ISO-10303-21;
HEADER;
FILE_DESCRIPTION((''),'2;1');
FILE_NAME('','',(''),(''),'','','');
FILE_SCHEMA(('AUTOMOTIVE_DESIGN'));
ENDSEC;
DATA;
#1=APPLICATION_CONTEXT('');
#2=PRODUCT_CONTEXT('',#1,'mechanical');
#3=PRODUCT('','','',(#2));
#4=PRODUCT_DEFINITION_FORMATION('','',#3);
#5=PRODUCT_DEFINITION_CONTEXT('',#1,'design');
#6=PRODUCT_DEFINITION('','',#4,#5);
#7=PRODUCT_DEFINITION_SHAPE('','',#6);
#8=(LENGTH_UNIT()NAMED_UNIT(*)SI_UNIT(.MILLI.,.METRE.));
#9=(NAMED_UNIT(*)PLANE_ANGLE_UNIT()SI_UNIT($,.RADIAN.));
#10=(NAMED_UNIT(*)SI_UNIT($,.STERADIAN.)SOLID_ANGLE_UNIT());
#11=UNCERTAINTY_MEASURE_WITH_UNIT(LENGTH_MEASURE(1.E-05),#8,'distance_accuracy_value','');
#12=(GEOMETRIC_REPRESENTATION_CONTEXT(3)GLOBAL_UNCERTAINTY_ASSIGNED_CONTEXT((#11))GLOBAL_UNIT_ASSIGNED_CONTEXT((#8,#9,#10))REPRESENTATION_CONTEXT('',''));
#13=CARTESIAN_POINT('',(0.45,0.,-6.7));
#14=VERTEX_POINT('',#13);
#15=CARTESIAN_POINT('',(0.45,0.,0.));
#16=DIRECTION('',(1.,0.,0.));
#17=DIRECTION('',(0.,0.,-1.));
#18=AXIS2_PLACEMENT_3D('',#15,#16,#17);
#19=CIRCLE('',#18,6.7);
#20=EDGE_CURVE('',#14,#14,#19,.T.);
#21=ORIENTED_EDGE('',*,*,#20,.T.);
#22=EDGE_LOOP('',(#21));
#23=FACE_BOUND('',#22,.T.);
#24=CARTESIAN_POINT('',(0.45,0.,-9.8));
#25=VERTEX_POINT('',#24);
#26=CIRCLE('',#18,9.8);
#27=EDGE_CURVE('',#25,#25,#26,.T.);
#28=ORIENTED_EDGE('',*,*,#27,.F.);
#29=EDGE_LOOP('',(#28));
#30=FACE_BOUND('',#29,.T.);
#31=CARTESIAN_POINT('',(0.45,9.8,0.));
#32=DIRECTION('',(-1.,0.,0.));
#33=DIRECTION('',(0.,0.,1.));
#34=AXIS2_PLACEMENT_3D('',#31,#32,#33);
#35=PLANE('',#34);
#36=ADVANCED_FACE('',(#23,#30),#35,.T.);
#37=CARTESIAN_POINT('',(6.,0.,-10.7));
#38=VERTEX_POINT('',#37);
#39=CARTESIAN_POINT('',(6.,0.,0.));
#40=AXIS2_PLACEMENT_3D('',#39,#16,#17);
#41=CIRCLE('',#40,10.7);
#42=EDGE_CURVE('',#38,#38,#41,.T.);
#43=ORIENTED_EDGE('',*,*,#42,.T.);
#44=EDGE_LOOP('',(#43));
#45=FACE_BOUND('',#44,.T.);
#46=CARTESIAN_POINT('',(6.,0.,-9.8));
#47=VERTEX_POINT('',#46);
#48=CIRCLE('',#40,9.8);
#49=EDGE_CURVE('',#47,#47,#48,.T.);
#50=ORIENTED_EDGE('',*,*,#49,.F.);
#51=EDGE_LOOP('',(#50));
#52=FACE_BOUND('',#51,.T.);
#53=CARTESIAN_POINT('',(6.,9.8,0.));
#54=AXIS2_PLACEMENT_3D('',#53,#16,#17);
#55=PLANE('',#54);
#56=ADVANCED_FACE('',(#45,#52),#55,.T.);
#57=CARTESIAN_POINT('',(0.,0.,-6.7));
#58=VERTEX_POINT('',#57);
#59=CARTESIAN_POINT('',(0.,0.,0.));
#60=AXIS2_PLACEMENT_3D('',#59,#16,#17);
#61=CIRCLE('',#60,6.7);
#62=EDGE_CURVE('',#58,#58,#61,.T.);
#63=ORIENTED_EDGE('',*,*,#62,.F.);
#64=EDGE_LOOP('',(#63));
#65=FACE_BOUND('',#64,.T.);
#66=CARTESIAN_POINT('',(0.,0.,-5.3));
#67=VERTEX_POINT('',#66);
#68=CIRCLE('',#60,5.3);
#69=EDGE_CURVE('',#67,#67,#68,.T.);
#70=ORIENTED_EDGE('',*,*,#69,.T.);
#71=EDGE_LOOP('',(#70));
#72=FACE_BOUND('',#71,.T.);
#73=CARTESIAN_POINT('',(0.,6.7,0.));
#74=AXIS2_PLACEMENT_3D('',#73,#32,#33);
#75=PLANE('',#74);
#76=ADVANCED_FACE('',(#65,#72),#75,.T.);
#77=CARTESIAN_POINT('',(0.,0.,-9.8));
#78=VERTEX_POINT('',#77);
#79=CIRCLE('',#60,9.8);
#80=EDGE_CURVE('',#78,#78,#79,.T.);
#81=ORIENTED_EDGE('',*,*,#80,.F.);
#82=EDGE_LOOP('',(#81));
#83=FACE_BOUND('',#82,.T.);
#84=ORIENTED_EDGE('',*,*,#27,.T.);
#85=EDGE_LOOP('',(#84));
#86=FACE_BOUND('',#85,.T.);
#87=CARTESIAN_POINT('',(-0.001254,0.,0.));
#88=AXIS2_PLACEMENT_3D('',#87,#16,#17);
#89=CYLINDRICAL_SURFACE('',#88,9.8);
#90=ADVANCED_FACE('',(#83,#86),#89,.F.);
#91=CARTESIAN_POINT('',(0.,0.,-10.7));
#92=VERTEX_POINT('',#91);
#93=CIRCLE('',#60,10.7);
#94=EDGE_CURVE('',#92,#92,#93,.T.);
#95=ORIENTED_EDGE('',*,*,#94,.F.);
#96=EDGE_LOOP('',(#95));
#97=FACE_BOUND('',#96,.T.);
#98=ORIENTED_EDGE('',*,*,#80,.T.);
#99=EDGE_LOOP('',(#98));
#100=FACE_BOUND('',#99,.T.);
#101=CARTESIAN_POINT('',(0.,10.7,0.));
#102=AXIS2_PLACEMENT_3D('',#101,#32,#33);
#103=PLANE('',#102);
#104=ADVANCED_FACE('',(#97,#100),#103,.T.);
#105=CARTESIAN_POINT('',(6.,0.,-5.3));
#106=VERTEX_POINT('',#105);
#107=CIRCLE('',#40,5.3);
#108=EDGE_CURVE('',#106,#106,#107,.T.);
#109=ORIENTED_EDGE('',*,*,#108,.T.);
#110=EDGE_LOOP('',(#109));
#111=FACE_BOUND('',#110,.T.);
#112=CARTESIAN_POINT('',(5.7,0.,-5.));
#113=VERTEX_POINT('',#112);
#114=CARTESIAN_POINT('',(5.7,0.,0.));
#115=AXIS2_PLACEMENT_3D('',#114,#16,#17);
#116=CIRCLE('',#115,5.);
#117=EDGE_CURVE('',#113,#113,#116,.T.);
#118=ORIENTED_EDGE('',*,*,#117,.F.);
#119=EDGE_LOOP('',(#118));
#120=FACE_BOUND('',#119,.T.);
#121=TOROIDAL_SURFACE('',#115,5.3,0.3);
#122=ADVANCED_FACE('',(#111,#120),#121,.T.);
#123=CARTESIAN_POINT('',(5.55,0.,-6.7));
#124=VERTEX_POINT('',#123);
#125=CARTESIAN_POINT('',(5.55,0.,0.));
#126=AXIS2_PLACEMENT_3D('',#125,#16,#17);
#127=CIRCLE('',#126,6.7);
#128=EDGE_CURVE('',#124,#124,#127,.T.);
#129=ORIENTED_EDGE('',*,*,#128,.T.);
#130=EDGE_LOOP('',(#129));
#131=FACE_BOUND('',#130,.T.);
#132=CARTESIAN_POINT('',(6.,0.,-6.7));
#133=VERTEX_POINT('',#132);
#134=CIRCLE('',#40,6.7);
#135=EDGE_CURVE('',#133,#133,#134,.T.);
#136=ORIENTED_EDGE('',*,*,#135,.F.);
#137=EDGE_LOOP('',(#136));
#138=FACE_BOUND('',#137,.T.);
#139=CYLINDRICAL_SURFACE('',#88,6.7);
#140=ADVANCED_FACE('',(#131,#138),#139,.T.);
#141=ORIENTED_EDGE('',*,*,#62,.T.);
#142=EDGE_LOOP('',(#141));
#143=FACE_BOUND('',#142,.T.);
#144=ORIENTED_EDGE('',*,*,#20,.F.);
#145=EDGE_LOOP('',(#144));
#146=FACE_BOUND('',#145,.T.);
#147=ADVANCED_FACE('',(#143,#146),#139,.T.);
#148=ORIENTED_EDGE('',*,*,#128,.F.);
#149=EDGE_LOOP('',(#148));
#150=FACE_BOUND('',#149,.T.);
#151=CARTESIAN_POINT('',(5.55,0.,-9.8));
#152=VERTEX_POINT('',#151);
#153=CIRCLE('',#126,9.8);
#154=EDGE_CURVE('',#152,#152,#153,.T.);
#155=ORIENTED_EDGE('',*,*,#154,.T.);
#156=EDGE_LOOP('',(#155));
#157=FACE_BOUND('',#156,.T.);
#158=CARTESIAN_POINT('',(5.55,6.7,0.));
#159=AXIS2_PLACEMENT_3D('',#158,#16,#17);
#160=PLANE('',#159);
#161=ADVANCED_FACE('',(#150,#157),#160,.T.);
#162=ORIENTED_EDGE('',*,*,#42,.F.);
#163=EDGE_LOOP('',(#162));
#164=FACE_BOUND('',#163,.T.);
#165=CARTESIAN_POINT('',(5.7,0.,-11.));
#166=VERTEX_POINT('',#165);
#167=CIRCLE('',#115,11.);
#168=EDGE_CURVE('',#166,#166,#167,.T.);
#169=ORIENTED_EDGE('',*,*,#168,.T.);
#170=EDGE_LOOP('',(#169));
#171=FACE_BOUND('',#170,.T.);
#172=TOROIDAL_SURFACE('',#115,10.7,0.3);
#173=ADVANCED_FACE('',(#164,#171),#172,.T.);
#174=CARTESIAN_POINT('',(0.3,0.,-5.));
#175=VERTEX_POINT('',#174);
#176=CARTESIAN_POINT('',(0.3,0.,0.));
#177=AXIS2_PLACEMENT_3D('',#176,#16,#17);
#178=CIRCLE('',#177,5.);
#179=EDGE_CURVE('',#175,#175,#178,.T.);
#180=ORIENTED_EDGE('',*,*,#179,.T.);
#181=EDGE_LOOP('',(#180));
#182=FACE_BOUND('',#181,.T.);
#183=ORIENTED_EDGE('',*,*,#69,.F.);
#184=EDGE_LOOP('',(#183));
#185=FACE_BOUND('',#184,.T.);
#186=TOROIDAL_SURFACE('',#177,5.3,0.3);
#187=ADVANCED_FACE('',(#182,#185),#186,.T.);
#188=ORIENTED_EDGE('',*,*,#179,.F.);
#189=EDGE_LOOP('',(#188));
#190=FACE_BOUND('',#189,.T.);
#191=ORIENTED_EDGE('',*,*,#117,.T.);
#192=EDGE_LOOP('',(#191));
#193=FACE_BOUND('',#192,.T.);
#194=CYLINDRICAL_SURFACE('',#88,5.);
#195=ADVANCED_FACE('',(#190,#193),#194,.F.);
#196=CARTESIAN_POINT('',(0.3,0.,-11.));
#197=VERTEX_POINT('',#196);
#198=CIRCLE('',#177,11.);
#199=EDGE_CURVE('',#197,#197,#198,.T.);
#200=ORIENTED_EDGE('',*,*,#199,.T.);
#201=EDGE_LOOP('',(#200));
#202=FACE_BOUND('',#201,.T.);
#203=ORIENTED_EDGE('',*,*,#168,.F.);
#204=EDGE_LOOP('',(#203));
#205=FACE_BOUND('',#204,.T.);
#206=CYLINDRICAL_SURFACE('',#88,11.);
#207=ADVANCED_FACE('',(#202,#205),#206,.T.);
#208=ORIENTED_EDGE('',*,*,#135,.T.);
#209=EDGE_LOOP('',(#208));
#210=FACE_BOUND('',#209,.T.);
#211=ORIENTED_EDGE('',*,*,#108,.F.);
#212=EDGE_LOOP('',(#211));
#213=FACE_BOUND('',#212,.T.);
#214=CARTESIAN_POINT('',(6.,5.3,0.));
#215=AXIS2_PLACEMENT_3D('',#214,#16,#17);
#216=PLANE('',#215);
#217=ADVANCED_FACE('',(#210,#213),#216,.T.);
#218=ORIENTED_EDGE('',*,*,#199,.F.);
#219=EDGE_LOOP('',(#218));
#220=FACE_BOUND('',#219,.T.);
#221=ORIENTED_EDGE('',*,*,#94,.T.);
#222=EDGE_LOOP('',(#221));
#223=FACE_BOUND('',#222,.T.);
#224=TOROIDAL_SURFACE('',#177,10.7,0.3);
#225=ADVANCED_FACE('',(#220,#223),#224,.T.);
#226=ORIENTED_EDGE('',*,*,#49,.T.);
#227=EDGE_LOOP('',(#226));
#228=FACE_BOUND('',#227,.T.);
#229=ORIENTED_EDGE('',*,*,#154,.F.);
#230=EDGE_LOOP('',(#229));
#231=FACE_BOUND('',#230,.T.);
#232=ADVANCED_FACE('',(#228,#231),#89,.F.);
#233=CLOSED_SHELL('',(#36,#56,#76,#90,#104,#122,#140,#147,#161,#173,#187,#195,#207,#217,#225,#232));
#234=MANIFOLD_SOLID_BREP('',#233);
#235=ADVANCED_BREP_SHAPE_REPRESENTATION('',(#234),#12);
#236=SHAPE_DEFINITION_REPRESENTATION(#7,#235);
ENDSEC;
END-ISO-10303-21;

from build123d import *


with BuildPart() as part:
    # Sketch1 → Revolve1 (revolve)
    with BuildSketch(Plane.XY):
        with BuildLine():
            Line((0.3, 5), (5.7, 5))
            ThreePointArc((5.7, 5), (5.912132034, 5.087867966), (6, 5.3))
            Line((6, 5.3), (6, 6.7))
            Line((6, 6.7), (5.55, 6.7))
            Line((5.55, 6.7), (5.55, 9.8))
            Line((5.55, 9.8), (6, 9.8))
            Line((6, 9.8), (6, 10.7))
            ThreePointArc((6, 10.7), (5.912132034, 10.912132034), (5.7, 11))
            Line((5.7, 11), (0.3, 11))
            ThreePointArc((0.3, 11), (0.087867966, 10.912132034), (0, 10.7))
            Line((0, 10.7), (0, 9.8))
            Line((0, 9.8), (0.45, 9.8))
            Line((0.45, 9.8), (0.45, 6.7))
            Line((0.45, 6.7), (0, 6.7))
            Line((0, 6.7), (0, 5.3))
            ThreePointArc((0, 5.3), (0.087867966, 5.087867966), (0.3, 5))
        make_face()
    revolve(axis=Axis((-0.001253994, 0, 0), (1, 0, 0)))


solid = part.part
